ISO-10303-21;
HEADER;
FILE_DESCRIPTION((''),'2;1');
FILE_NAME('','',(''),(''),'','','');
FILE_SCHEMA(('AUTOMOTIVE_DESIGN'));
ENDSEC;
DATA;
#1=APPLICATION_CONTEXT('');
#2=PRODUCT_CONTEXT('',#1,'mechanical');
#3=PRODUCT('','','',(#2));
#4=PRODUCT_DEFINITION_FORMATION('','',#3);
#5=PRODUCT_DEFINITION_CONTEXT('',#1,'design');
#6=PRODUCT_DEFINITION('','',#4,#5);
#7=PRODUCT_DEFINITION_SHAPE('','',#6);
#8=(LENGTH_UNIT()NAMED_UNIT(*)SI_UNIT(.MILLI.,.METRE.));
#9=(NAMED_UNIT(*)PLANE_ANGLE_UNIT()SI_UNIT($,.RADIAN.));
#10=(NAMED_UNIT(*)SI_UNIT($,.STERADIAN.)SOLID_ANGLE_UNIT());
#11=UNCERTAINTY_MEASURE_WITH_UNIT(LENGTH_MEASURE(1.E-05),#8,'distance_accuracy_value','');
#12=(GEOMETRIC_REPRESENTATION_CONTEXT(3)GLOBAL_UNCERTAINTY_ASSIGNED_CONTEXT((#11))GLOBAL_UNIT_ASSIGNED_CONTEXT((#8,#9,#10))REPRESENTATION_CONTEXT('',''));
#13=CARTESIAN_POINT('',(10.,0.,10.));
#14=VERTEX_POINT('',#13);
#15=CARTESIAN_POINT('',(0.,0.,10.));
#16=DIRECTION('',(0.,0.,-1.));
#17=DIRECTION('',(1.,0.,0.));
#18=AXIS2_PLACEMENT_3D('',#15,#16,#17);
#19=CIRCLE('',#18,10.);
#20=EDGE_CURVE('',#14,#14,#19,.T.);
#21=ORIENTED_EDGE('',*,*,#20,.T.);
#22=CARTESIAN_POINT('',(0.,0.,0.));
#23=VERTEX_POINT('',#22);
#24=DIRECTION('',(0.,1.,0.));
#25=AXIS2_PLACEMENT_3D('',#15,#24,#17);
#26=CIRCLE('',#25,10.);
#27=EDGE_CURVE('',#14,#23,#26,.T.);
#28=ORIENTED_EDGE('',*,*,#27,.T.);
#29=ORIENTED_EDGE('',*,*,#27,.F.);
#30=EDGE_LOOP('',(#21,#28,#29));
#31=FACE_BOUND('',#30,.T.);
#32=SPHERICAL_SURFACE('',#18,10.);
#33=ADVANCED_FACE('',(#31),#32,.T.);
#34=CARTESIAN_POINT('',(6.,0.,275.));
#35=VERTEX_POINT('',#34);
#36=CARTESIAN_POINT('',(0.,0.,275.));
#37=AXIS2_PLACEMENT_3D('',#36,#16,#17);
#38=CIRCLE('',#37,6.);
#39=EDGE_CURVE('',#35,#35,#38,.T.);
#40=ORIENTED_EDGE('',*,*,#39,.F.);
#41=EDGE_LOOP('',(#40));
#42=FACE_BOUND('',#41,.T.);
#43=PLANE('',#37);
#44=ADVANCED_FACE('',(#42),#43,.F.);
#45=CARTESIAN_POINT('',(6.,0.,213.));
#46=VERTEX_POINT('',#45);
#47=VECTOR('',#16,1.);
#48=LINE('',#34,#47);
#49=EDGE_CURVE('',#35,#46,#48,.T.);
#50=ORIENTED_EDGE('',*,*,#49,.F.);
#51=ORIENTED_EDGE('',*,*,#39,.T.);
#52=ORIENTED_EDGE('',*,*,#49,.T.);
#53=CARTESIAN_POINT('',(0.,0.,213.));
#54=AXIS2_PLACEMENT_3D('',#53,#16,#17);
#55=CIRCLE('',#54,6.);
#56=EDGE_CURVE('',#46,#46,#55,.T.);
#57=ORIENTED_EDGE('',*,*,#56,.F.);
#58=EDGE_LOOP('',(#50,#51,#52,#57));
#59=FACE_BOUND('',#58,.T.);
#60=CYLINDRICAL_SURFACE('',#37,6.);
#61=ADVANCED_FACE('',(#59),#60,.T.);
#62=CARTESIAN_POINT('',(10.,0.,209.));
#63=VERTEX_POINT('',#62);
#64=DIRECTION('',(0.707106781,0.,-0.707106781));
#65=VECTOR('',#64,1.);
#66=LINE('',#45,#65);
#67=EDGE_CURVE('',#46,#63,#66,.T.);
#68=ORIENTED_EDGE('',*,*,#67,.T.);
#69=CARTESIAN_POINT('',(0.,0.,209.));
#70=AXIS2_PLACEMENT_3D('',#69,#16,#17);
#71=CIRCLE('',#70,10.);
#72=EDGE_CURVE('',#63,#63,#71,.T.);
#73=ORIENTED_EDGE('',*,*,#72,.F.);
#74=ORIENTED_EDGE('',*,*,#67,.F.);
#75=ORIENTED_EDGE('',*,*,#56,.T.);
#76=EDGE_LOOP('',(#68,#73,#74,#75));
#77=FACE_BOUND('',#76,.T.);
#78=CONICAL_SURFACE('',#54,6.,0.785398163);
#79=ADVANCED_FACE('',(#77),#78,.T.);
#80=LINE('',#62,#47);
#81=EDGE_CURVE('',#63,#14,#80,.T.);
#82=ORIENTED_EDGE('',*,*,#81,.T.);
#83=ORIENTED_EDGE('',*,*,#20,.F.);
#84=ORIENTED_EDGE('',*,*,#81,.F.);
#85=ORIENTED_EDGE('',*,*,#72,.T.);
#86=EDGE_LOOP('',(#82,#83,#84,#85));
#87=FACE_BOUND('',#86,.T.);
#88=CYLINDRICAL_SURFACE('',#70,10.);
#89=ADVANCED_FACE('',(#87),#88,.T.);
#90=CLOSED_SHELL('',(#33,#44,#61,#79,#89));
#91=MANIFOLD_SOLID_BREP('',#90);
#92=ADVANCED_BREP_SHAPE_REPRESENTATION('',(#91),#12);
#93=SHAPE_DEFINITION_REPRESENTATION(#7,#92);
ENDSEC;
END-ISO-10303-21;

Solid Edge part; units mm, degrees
sketch "Sketch1" plane through (0, 0, 0) normal (0, -1, 0) x (1, 0, 0)
  line L0 (0, 0) -> (0, 275)
  line L1 (0, 275) -> (6, 275)
  line L2 (6, 275) -> (6, 213)
  line L3 (6, 213) -> (10, 209)
  line L4 (10, 209) -> (10, 0)
  line L5 (10, 0) -> (0, 0)
revolve "RevolvedProtrusion1" add sketch "Sketch1" angle 360 about axis through (0, 0, 54) along (0, 0, -1)
fillet "Round1" radius 10 1 edges at (-10, 0, 0)
properties part number "7" material "Fe - 410 W"
